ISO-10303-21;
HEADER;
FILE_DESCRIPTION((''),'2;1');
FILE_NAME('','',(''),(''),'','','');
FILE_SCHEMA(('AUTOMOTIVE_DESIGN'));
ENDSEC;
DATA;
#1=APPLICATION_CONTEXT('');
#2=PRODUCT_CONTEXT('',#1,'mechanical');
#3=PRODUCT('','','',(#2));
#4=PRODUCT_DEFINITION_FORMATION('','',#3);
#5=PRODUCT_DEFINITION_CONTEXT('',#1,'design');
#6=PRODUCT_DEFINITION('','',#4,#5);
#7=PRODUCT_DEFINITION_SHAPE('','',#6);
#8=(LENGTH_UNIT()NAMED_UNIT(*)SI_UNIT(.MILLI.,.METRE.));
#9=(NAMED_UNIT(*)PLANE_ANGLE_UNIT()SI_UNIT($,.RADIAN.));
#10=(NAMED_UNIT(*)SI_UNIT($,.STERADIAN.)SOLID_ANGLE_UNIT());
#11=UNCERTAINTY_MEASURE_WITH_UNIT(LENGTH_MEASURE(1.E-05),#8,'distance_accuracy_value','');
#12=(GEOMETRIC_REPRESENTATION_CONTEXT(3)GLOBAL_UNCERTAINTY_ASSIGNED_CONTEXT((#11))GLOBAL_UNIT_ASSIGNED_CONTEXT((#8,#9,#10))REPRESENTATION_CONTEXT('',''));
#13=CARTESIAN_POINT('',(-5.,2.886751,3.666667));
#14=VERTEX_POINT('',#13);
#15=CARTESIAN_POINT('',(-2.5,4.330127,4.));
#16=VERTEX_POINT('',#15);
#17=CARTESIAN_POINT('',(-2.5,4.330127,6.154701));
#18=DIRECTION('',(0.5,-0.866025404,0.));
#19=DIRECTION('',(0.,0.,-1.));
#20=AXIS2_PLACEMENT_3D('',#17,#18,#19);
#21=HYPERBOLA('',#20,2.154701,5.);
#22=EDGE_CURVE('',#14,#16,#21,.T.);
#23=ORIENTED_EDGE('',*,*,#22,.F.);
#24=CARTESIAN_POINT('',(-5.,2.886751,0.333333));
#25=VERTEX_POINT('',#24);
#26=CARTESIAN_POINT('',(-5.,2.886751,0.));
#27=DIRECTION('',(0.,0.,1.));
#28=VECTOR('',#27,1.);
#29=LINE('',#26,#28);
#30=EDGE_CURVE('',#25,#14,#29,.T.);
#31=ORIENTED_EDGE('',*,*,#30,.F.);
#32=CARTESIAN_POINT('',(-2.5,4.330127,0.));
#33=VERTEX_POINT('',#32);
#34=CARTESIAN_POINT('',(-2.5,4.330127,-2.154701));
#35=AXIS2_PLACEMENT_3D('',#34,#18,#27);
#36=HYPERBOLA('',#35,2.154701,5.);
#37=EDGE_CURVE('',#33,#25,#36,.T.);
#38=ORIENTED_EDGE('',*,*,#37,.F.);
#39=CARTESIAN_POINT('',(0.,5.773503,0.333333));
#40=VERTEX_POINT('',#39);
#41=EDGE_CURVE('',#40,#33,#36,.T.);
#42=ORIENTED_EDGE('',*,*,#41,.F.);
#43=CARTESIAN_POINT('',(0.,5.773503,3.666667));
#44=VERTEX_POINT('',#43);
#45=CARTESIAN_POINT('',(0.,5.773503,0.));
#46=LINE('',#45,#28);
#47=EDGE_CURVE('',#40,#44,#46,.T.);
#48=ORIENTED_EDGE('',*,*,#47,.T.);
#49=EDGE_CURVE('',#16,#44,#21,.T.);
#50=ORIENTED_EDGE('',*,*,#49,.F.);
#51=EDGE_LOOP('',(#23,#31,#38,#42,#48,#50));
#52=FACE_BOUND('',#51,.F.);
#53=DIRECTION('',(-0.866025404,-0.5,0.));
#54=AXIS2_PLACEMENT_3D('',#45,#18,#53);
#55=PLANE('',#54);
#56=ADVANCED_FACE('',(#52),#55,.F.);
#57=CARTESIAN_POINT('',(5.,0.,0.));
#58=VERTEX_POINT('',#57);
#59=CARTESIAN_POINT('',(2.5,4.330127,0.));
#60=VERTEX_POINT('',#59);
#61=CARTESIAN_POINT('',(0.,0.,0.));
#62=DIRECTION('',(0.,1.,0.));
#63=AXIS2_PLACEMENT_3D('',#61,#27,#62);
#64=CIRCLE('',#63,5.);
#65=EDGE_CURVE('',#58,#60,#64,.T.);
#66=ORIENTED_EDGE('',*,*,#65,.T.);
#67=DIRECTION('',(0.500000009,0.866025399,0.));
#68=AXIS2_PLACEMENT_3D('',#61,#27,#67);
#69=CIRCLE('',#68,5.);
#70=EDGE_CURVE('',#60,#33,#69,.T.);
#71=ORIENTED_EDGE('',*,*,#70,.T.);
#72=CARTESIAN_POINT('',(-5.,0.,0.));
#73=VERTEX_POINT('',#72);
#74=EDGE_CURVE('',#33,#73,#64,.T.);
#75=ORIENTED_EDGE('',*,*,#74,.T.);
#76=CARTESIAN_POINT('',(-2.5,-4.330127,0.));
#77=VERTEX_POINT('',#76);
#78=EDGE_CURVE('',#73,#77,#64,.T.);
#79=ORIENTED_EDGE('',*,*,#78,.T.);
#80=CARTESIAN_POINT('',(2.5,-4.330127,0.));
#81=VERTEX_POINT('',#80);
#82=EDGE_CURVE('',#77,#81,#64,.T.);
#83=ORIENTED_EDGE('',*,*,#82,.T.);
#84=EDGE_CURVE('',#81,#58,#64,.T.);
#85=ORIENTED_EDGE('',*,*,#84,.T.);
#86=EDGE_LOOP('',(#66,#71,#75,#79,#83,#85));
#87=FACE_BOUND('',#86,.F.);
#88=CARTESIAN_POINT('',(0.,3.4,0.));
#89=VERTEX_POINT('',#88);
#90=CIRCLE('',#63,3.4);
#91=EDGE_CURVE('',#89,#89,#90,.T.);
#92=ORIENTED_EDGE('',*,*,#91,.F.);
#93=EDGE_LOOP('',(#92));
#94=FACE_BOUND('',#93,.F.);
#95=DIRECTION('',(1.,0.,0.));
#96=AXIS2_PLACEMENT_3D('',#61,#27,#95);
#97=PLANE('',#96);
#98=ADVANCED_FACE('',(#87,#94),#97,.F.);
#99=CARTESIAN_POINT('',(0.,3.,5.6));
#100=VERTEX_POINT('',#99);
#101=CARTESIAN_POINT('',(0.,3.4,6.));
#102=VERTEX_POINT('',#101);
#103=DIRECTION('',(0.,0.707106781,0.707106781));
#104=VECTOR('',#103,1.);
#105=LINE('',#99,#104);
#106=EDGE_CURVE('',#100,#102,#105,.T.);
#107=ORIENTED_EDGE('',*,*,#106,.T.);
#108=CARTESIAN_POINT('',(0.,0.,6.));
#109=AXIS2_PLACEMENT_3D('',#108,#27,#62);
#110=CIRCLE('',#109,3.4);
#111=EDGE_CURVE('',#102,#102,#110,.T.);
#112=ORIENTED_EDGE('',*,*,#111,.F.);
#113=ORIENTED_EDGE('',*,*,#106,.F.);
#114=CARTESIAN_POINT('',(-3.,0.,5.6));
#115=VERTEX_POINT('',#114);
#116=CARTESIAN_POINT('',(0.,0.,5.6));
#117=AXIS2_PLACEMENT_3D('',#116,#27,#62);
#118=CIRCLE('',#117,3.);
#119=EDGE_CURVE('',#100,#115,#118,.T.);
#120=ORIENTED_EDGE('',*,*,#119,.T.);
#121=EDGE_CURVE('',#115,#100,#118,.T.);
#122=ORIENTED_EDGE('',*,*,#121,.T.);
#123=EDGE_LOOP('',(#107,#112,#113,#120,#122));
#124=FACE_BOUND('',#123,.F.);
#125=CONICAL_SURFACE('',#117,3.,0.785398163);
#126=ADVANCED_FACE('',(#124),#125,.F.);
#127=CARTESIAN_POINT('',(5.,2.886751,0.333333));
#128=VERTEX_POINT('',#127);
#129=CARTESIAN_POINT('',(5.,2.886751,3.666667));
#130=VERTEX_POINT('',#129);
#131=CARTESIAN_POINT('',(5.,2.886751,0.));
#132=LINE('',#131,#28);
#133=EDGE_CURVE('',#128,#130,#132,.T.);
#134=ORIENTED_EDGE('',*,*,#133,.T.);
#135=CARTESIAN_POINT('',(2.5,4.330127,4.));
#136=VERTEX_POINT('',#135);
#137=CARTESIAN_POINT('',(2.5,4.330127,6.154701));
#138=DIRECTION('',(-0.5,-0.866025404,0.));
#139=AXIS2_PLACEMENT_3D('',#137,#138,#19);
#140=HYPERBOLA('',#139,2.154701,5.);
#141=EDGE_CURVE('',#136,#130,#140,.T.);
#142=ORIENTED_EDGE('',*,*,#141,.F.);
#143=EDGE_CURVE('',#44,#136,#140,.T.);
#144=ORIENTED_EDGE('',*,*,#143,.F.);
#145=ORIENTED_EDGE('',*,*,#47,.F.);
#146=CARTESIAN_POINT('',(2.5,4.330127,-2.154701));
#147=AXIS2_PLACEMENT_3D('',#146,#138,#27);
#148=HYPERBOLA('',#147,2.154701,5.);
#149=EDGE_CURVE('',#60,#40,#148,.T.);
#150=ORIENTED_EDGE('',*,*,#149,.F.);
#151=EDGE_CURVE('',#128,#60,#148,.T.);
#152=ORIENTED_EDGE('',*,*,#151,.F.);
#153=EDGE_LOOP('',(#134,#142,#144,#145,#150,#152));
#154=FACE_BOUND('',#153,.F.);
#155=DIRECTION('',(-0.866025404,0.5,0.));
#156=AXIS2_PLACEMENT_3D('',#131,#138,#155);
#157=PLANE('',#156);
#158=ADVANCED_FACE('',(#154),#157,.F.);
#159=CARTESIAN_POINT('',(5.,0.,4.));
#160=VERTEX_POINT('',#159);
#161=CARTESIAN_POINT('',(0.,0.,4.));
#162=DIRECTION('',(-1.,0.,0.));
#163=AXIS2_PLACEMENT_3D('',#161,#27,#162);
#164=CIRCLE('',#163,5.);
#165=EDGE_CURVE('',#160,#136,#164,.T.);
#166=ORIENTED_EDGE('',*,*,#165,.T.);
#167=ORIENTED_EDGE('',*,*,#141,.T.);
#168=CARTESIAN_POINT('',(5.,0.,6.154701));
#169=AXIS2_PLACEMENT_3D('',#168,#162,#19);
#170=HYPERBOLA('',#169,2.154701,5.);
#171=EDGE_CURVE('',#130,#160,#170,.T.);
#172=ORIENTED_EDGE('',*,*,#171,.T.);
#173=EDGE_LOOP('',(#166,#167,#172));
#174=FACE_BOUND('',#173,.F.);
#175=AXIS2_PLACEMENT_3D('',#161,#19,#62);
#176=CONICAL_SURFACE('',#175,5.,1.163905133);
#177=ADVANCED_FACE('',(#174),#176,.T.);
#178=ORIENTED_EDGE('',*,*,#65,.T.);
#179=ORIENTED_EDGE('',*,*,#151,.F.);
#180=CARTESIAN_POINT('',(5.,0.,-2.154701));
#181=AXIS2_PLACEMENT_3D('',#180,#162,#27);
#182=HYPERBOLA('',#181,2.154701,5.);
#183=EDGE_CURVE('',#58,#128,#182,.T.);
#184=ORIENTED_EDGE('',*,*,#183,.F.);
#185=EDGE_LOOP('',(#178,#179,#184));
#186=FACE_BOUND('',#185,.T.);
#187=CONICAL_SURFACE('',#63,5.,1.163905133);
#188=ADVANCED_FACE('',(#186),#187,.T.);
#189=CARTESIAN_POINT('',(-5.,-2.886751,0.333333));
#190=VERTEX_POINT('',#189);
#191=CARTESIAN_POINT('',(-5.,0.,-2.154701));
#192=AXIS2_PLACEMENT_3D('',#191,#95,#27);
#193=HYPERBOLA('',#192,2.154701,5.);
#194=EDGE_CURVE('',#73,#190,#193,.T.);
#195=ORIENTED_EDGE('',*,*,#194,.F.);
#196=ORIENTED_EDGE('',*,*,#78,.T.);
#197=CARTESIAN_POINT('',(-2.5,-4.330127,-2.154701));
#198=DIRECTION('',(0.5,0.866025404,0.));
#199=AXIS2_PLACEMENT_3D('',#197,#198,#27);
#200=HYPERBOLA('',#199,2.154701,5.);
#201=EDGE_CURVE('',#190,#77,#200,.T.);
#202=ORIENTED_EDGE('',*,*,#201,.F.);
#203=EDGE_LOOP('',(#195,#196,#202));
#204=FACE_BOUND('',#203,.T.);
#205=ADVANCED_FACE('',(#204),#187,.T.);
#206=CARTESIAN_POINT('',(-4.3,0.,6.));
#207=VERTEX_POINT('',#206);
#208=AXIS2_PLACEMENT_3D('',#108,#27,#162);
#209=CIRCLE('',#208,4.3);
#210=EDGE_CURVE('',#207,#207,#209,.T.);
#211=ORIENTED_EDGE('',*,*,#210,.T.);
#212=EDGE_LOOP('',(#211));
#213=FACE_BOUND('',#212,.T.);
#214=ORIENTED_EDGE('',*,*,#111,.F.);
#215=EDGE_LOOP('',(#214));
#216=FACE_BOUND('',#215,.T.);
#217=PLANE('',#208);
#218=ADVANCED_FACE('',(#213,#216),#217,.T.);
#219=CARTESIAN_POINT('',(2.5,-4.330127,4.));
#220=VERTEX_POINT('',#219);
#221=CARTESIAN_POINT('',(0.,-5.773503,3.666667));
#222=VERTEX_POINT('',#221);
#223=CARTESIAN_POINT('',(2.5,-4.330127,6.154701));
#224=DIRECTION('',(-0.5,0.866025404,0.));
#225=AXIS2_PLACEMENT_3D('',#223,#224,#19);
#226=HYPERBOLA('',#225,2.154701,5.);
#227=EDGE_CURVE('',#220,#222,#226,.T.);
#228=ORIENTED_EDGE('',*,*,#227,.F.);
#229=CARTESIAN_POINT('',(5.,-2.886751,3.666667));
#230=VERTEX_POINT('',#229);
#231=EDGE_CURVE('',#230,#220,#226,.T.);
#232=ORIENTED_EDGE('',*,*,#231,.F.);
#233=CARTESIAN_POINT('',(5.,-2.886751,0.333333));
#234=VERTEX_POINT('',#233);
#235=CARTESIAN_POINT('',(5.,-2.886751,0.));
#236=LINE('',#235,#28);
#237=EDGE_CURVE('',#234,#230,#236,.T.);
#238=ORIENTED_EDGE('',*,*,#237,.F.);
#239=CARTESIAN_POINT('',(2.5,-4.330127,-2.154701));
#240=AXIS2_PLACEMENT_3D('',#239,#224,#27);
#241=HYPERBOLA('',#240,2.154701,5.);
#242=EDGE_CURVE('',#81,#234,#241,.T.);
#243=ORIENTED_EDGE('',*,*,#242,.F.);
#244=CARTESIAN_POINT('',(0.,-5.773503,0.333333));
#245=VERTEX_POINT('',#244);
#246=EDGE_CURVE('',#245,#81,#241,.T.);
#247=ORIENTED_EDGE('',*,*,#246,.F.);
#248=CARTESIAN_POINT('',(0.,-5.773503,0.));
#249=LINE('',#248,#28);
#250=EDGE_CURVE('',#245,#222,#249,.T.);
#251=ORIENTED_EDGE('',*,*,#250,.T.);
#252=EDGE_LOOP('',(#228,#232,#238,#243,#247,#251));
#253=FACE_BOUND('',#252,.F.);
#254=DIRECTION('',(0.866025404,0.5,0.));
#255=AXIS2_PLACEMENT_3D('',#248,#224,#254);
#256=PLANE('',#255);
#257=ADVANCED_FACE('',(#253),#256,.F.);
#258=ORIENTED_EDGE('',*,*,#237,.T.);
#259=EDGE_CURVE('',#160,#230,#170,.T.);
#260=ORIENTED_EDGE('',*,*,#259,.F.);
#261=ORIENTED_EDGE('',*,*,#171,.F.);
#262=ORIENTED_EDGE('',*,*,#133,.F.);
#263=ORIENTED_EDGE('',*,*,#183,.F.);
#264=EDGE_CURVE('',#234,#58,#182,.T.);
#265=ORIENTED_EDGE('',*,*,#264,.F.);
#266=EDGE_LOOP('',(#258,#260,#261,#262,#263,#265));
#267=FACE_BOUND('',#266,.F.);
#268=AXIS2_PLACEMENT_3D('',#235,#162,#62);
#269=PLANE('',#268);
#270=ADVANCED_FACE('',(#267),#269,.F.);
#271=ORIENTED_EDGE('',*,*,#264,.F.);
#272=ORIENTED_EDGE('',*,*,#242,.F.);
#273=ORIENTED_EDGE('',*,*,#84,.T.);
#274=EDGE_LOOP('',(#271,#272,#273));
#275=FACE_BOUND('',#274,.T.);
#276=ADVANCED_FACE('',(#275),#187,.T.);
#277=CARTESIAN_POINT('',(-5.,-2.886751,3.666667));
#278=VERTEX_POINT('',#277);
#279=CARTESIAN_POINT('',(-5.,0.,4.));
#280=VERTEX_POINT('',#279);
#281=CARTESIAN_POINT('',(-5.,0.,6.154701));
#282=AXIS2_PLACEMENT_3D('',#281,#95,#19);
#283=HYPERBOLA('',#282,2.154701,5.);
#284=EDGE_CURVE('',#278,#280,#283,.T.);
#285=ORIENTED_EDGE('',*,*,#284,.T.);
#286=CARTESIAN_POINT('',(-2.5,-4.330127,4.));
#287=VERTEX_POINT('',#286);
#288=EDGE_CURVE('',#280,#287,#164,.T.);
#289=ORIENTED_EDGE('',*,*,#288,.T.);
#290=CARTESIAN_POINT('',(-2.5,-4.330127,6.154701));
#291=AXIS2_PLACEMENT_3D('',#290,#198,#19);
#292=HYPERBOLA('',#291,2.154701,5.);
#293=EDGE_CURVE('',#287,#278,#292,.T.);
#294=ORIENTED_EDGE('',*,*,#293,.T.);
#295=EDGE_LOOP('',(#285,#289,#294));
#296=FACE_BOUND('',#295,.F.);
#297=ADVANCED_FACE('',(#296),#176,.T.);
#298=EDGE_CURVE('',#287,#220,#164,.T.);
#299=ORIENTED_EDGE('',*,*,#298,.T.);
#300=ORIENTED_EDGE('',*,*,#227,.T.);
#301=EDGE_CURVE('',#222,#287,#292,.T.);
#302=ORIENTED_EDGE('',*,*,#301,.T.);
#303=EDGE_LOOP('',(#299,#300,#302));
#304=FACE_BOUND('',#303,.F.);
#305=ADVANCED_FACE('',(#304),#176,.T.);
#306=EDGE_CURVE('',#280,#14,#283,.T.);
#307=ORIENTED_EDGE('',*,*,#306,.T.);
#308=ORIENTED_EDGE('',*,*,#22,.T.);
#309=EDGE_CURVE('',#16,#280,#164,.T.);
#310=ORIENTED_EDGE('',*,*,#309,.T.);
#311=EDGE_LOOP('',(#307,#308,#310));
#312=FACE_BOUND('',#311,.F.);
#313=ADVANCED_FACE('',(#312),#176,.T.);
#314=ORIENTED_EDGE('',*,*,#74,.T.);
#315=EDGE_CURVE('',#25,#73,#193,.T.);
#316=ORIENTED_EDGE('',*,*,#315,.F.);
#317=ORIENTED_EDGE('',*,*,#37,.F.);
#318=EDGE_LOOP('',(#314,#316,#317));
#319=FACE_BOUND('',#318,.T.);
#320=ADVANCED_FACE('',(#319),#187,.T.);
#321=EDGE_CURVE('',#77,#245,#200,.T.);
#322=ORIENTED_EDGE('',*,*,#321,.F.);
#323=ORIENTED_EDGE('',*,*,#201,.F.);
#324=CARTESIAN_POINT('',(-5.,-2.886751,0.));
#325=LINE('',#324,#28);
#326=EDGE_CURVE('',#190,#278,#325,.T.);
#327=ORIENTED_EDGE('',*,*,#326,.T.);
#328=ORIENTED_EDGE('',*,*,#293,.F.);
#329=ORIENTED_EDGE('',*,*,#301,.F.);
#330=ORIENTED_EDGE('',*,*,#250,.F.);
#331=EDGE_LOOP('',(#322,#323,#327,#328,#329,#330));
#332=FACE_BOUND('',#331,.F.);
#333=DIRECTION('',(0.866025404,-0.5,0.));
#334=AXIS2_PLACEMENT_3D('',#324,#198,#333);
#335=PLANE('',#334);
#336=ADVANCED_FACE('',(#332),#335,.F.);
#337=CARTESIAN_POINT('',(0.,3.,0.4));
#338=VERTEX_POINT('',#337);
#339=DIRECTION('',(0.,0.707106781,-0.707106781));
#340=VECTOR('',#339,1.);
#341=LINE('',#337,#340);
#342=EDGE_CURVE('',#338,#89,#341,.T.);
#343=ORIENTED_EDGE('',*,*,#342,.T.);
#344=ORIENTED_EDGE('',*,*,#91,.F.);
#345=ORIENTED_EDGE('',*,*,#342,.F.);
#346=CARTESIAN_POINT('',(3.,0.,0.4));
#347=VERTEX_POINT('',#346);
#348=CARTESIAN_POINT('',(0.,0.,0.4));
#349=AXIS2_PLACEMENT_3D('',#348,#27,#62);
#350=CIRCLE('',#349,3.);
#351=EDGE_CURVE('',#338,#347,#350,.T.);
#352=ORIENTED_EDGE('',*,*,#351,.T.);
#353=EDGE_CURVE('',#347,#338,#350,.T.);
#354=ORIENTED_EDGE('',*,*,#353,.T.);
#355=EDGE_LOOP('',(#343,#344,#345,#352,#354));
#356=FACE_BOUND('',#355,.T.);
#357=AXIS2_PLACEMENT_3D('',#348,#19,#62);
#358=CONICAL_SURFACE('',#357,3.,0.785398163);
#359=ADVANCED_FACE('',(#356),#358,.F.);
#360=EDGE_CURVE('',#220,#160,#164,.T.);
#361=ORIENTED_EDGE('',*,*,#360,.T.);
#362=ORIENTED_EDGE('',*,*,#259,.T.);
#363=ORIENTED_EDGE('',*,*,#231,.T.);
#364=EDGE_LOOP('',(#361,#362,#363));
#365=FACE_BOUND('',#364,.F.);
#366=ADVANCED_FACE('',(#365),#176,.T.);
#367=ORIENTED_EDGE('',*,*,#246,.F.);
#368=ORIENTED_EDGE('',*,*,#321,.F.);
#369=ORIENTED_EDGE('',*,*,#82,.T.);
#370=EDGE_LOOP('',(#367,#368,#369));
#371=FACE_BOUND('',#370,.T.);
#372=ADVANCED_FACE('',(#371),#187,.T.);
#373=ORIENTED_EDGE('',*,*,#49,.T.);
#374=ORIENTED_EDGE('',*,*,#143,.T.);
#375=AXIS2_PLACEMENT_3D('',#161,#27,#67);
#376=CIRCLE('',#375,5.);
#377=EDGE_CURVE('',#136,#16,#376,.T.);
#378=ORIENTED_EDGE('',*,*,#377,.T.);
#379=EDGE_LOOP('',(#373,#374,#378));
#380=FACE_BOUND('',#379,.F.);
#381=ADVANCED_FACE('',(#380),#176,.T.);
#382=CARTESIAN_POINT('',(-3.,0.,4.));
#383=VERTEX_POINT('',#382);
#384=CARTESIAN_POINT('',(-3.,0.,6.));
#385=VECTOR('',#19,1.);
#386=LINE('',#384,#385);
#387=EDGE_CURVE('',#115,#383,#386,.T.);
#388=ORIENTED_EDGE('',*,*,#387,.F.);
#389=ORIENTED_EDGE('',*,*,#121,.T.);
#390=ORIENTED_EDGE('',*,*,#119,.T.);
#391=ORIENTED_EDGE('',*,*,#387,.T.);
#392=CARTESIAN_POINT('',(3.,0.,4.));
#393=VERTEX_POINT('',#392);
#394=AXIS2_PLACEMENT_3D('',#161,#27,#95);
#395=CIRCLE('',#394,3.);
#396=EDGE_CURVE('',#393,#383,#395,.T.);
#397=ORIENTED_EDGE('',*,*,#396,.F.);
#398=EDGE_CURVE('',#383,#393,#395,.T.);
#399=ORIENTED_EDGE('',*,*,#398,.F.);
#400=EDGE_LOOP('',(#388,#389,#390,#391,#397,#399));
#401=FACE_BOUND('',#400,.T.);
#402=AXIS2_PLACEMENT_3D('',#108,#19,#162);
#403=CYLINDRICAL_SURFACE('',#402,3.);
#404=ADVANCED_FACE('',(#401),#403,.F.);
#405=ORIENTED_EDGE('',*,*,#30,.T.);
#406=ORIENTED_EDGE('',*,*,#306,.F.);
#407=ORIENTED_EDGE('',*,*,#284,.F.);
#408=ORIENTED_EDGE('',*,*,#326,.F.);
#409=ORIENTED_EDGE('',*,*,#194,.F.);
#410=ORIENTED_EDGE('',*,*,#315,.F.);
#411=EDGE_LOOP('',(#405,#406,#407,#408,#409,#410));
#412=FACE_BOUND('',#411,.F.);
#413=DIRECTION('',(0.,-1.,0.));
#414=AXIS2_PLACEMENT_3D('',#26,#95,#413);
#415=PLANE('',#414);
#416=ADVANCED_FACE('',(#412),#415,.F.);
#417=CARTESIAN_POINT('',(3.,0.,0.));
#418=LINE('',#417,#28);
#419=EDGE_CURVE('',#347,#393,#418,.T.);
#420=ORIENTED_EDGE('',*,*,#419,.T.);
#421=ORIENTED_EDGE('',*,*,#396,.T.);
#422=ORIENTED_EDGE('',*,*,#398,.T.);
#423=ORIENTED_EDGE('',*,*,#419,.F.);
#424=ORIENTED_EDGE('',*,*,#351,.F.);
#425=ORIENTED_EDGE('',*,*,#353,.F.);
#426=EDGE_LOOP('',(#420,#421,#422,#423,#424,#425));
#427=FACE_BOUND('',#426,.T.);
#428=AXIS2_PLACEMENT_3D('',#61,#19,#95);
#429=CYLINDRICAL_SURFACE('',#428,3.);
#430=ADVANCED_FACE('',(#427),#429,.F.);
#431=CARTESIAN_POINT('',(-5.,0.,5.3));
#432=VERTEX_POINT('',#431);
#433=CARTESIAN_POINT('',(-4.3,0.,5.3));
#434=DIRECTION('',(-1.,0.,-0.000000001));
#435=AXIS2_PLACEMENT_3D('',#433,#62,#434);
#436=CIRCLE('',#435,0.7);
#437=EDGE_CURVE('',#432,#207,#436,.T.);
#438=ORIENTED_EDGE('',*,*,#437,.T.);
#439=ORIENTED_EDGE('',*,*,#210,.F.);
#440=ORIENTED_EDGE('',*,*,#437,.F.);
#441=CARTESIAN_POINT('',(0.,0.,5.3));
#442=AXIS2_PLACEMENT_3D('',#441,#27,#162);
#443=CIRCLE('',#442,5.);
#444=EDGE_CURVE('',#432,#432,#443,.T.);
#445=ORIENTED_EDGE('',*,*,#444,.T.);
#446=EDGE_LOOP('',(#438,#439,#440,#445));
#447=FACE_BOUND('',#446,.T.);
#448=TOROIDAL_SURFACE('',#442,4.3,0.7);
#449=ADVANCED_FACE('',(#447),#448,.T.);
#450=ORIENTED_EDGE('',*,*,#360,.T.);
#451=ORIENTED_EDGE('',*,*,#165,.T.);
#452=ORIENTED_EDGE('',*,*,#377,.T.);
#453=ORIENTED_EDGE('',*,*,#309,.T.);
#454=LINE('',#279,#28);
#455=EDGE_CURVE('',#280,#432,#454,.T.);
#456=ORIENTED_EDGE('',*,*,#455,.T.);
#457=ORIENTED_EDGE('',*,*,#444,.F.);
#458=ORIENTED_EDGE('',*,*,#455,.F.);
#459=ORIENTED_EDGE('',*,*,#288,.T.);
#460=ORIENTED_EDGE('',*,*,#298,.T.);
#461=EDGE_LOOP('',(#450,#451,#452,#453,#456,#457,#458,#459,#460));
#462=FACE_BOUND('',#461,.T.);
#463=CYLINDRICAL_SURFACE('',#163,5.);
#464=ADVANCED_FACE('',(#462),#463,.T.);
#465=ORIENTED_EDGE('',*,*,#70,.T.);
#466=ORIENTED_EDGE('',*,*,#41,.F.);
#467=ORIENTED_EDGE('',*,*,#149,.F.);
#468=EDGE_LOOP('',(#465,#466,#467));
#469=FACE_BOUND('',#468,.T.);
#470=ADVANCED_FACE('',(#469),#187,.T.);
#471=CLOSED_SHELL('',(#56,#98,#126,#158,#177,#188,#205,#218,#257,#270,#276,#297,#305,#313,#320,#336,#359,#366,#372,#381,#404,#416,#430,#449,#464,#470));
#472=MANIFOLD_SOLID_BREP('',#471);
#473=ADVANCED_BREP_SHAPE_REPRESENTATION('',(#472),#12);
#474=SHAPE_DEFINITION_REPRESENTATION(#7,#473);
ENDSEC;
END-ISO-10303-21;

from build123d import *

# Parameters (mm, degrees)
SKETCH1_R           = 3
BOSS_EXTRUDE1_DEPTH = 4


with BuildPart() as part:
    # Sketch1 → Boss-Extrude1 (new body)
    with BuildSketch(Plane.XY):
        Polygon((0, -5.773502692), (5, -2.886751346), (5, 2.886751346), (0, 5.773502692), (-5, 2.886751346), (-5, -2.886751346), align=None)
        Circle(SKETCH1_R, mode=Mode.SUBTRACT)
    extrude(amount=BOSS_EXTRUDE1_DEPTH)

    # Sketch3 → Revolve1 (revolve)
    with BuildSketch(Plane(origin=(0, 0, 0), x_dir=(0, 0, -1), z_dir=(0, 1, 0))):
        with BuildLine():
            Line((-4, 5), (-5.3, 5))
            ThreePointArc((-5.3, 5), (-5.794974747, 4.794974747), (-6, 4.3))
            Line((-6, 4.3), (-6, 3))
            Line((-6, 3), (-4, 3))
            Line((-4, 3), (-4, 5))
        make_face()
    revolve(axis=Axis((0, 0, 0), (0, 0, 1)))

    # Sketch2 → Cut-Revolve1 (revolve, cut)
    with BuildSketch(Plane(origin=(0, 0, 0), x_dir=(0, 0, -1), z_dir=(1, 0, 0))):
        Polygon((-4, 5.773502692), (-4, 5), (-3.666666667, 5.773502692), align=None)
        Polygon((-0.333333333, 5.773502692), (0, 5.773502692), (0, 5), align=None)
        Polygon((-6, 3), (-5.6, 3), (-6, 3.4), align=None)
        Polygon((0, 3), (-0.4, 3), (0, 3.4), align=None)
    revolve(axis=Axis((0, 0, 0), (0, 0, 1)), mode=Mode.SUBTRACT)


solid = part.part
